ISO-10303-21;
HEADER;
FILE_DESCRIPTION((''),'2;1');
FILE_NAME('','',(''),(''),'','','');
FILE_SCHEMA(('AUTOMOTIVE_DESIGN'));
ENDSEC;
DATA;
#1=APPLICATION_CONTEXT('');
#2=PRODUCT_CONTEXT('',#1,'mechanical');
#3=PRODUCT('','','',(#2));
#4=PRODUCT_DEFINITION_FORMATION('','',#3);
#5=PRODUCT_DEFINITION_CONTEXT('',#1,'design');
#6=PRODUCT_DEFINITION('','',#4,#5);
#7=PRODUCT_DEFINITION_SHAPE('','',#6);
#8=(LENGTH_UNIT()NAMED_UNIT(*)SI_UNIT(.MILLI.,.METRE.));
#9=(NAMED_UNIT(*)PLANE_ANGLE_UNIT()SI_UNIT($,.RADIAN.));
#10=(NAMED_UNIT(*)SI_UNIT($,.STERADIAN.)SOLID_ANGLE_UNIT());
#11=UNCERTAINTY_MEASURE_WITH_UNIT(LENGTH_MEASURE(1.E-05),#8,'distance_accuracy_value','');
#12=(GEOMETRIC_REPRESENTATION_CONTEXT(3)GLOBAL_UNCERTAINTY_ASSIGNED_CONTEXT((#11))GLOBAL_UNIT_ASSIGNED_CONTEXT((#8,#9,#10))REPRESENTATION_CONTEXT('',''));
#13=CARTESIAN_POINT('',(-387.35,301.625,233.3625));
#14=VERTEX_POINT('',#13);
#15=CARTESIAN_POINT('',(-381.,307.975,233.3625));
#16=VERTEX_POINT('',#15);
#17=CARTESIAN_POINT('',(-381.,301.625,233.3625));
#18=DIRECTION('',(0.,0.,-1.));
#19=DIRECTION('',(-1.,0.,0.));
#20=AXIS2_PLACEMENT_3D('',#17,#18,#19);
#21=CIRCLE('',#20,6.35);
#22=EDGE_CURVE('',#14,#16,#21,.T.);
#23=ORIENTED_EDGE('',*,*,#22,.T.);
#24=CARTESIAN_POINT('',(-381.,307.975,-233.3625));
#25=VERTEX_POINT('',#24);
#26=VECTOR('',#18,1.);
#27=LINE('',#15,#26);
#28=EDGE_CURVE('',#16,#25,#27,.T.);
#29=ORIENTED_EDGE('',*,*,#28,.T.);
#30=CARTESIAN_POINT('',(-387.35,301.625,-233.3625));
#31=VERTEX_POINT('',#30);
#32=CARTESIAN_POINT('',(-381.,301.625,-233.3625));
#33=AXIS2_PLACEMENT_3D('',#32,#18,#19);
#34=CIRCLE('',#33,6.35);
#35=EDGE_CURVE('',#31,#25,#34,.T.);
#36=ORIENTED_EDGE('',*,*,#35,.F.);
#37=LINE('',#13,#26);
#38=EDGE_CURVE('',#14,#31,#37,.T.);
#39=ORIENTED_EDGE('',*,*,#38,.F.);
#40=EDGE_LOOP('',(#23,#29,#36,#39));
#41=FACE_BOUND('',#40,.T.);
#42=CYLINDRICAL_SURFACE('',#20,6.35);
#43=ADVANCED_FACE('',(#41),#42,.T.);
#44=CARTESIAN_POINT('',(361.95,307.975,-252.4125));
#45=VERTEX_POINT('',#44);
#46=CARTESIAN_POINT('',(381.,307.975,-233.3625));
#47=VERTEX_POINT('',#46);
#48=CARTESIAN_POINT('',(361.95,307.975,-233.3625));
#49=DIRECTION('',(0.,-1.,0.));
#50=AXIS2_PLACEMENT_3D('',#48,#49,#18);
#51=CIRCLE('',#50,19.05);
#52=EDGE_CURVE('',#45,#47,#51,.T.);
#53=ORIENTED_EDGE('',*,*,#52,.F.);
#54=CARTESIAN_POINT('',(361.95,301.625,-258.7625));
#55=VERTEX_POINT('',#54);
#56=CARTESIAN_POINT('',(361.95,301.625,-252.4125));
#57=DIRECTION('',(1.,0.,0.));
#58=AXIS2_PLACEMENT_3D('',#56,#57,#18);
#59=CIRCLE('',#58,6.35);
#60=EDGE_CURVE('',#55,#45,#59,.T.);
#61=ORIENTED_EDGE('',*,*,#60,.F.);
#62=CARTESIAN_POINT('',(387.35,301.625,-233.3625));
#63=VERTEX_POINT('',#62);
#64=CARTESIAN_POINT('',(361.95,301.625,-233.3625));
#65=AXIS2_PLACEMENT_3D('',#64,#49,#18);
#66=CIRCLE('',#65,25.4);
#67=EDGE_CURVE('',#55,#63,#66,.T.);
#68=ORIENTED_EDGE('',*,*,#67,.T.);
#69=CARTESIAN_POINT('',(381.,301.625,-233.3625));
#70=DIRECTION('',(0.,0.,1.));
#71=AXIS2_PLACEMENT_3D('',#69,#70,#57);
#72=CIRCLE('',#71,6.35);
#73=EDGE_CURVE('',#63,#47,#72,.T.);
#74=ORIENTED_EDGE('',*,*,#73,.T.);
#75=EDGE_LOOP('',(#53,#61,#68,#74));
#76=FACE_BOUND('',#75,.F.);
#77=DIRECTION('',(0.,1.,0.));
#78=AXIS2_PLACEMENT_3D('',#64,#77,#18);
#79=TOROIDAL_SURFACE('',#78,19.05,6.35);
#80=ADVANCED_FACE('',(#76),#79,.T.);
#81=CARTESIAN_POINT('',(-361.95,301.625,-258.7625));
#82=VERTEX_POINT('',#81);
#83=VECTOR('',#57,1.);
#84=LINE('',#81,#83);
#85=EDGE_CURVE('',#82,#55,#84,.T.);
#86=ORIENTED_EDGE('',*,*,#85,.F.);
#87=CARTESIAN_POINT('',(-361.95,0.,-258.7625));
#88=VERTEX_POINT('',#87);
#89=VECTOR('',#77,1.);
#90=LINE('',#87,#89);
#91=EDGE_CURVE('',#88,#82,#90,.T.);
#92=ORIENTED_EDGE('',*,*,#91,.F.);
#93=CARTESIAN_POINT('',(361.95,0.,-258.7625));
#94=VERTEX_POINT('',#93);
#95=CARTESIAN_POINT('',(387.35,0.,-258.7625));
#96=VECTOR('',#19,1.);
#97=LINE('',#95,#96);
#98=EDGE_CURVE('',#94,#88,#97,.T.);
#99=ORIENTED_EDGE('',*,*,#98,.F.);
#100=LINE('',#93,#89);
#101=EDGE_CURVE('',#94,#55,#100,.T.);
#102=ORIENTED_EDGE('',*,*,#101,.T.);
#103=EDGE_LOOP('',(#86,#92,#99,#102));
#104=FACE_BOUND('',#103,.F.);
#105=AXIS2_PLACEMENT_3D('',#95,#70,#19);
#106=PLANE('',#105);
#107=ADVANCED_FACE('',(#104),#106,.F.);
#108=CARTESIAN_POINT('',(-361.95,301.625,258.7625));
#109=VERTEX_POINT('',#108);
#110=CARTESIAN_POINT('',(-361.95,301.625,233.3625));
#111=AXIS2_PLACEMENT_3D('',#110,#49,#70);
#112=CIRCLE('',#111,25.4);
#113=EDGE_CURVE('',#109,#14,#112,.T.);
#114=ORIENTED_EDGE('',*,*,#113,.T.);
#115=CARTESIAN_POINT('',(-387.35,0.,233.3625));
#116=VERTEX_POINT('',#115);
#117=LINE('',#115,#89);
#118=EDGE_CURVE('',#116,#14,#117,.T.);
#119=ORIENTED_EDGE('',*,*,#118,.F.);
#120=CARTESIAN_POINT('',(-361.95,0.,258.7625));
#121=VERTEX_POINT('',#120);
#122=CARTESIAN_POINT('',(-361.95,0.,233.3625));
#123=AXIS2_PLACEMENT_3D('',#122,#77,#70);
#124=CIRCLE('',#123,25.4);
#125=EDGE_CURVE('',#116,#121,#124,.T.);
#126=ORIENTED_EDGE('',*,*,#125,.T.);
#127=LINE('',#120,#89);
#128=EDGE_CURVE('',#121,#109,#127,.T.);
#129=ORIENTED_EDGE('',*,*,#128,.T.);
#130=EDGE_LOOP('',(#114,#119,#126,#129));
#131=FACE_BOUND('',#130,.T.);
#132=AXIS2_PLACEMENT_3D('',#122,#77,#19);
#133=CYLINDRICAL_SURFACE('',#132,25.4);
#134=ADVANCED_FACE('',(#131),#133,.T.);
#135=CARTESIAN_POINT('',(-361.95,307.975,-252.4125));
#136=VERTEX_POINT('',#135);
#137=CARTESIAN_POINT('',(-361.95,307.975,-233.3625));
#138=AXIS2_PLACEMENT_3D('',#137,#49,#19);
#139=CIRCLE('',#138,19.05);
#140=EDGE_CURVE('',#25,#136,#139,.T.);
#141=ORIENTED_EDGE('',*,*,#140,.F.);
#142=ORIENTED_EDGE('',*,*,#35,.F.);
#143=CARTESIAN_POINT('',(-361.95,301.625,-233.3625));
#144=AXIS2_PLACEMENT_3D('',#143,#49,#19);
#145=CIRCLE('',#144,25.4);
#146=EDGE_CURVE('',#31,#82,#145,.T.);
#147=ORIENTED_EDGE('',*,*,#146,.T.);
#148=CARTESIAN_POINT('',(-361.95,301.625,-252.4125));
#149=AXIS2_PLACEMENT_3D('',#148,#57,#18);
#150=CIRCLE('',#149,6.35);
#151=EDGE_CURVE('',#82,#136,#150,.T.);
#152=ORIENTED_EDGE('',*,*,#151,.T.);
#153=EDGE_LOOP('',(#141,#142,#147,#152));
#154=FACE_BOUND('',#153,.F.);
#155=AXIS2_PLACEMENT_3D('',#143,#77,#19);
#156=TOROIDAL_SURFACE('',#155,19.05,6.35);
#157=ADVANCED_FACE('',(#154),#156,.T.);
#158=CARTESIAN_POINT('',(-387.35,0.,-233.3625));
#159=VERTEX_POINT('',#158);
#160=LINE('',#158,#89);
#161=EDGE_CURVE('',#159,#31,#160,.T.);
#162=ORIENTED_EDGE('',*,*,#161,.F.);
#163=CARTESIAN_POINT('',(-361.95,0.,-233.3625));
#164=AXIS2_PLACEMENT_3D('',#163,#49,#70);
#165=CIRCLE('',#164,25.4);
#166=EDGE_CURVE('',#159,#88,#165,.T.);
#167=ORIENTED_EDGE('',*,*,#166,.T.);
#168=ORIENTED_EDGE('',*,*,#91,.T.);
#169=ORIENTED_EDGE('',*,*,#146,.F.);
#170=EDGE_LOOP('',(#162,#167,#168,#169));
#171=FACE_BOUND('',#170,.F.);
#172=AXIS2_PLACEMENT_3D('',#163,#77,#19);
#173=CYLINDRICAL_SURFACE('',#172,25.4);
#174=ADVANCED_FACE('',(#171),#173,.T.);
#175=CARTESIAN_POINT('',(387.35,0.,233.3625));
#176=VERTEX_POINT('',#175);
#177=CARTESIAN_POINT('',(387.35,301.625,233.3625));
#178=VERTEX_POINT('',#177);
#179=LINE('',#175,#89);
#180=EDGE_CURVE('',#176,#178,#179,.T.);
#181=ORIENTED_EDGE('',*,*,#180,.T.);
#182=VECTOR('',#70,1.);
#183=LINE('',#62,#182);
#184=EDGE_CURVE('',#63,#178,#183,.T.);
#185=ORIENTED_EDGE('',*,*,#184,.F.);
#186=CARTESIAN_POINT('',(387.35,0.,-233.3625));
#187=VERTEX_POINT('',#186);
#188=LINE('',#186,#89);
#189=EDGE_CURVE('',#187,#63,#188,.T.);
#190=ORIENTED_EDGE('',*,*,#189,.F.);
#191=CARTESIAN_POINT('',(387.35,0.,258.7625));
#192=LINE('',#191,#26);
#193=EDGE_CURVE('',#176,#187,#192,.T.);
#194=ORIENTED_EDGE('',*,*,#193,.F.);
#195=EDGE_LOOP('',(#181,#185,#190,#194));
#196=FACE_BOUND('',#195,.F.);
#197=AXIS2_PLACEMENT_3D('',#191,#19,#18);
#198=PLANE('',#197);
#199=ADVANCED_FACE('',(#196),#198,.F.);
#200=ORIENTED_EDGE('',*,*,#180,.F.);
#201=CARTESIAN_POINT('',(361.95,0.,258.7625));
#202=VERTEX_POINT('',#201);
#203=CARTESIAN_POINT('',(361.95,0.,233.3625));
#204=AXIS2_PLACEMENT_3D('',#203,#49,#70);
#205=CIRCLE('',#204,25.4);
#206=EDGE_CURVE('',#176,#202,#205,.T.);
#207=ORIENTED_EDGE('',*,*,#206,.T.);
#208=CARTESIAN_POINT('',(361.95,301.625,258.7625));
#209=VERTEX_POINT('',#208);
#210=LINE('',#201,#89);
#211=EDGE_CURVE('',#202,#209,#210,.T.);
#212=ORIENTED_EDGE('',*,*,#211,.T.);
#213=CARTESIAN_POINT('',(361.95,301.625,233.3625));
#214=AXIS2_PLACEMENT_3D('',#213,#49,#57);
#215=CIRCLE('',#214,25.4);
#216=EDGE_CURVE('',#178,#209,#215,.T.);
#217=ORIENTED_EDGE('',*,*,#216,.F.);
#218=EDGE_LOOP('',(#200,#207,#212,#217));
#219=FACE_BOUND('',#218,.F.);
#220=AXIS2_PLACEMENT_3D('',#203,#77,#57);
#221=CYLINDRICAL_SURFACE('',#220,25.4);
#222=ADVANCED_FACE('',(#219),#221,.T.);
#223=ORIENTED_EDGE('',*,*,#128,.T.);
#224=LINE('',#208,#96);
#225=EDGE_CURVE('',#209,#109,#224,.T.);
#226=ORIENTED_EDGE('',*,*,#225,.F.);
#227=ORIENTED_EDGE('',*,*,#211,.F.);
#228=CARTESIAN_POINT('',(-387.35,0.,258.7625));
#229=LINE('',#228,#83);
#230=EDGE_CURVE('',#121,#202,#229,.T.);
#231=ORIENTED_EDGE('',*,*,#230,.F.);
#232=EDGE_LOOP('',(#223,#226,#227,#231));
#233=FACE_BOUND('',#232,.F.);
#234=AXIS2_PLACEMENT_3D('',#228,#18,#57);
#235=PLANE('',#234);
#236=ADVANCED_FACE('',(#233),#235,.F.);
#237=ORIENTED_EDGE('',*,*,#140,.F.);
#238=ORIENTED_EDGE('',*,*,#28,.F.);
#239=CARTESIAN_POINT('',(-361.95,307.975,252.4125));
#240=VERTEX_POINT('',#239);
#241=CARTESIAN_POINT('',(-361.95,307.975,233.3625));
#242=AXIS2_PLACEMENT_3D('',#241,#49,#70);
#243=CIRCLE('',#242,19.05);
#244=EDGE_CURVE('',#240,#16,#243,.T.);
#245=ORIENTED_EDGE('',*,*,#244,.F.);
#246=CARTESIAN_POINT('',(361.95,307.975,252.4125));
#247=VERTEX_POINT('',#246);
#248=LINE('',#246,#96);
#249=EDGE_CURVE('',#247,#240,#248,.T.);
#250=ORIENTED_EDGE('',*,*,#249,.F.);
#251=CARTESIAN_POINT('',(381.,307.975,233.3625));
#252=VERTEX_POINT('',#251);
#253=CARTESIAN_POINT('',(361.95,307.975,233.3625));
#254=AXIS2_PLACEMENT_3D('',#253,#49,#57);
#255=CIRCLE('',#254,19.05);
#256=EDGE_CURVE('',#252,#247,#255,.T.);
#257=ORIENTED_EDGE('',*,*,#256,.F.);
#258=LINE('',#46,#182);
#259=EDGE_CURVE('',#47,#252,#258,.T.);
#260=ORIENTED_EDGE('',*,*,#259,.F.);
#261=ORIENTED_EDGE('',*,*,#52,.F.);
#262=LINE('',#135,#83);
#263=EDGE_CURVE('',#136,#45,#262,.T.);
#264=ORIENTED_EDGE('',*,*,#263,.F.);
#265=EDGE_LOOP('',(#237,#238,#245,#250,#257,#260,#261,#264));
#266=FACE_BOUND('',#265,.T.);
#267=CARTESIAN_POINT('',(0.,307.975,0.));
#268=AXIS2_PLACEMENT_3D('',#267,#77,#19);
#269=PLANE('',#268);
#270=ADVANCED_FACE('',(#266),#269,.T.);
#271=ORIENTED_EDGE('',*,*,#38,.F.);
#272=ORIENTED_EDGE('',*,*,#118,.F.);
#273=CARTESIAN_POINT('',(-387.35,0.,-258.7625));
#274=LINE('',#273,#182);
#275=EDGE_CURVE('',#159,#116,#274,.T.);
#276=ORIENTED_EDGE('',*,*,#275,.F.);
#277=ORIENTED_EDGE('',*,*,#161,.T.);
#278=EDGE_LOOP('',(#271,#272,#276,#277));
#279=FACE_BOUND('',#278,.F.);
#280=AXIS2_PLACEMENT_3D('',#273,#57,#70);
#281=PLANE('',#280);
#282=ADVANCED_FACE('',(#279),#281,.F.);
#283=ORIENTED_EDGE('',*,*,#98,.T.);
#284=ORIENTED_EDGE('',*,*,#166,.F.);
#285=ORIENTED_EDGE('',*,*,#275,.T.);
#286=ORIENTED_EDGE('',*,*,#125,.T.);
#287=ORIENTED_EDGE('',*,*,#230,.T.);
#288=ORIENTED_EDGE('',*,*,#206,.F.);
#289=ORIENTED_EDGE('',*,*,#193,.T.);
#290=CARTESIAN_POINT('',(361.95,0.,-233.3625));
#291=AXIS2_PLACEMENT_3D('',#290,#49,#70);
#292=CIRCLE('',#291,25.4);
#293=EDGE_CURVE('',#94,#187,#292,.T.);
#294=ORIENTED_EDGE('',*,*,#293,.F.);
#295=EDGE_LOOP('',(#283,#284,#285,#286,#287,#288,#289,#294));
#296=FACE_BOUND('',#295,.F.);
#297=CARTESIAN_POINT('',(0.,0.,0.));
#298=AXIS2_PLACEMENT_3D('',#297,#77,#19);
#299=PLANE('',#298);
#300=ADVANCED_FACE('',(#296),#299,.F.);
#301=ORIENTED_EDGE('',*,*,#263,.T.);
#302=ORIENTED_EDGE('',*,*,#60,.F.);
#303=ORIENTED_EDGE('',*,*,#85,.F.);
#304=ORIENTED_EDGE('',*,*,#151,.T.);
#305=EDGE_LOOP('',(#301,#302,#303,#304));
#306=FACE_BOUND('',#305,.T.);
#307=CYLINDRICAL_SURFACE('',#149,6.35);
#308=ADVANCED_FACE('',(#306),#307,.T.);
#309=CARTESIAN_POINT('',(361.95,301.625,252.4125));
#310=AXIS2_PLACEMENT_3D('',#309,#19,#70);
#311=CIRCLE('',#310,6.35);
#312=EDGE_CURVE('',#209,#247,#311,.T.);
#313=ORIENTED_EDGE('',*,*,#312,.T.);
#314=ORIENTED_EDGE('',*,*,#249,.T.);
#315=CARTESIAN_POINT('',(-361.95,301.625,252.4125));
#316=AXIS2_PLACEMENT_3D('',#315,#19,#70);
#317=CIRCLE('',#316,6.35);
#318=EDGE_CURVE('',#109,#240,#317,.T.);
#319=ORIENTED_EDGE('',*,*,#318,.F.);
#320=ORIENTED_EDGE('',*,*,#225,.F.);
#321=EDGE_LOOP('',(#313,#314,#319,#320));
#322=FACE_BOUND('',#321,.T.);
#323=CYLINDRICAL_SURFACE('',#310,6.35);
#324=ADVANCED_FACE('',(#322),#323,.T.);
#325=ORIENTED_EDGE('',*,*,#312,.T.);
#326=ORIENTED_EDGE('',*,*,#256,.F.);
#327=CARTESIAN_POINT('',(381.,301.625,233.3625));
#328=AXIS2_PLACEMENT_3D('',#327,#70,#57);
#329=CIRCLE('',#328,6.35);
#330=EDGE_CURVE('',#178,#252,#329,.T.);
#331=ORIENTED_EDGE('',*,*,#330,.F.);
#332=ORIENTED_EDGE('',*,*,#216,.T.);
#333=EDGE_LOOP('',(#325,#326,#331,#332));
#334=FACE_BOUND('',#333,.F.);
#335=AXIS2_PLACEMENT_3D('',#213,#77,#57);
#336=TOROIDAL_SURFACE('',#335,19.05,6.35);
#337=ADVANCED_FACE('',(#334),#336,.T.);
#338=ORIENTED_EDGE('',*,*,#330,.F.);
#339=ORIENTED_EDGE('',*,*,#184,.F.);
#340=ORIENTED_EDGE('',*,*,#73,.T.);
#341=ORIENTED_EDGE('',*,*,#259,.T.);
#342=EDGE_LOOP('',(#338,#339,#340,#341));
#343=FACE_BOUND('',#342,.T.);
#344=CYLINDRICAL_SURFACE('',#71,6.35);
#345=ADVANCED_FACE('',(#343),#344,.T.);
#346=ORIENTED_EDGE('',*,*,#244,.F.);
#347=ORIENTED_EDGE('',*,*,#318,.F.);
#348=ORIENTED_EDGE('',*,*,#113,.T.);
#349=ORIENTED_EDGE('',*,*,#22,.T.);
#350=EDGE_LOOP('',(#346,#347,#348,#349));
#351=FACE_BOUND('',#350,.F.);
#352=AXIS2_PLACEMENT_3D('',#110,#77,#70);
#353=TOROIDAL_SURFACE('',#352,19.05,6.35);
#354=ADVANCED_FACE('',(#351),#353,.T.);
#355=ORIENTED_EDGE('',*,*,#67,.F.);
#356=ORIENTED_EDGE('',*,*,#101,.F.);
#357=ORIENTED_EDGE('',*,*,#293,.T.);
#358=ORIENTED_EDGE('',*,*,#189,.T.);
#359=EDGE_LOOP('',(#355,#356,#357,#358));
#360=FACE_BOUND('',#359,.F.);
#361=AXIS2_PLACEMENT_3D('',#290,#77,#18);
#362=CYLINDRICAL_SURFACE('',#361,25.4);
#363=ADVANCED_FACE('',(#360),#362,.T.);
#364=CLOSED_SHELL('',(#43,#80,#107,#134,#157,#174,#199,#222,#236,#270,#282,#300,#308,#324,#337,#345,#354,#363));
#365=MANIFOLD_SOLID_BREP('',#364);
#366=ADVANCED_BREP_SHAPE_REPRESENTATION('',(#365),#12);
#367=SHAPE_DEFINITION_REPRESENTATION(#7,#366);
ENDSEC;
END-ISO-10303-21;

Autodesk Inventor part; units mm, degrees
ref_plane "YZ Plane" through (0, 0, 0) normal (1, 0, 0) x (0, 1, 0)
sketch "Sketch1" plane through (0, 0, 0) normal (0, 1, 0) x (-1, 0, 0)
  line L0 (387.35, 258.7625) -> (-387.35, 258.7625)
  line L1 (-387.35, 258.7625) -> (-387.35, -258.7625)
  line L2 (-387.35, -258.7625) -> (387.35, -258.7625)
  line L3 (387.35, -258.7625) -> (387.35, 258.7625)
  line L4 (387.35, 258.7625) -> (-387.35, -258.7625) construction
  line L5 (-387.35, 258.7625) -> (387.35, -258.7625) construction
  point P0 (0, 0)
  dimension "d0" = 774.7
  dimension "d1" = 517.525
extrude "Extrusion1" add sketch "Sketch1" along normal blind 307.975
ref_plane "Work Plane1" through (0, 247.65, 0) normal (0, 1, 0) x (-1, 0, 0)
split_face "Split1"
ref_plane "Work Plane2" through (0, 177.8, 0) normal (0, 1, 0) x (-1, 0, 0)
split_face "Split2"
fillet "Fillet1" radius 25.4 4 edges at (-387.35, 153.9875, 258.7625) (387.35, 153.9875, 258.7625) (387.35, 153.9875, -258.7625) (-387.35, 153.9875, -258.7625)
fillet "Fillet2" radius 6.35 8 edges at (-379.9105, 307.975, -251.323) (-379.9105, 307.975, 251.323) (379.9105, 307.975, -251.323) (379.9105, 307.975, 251.323) (387.35, 307.975, 0) (0, 307.975, -258.7625) (-387.35, 307.975, 0) (0, 307.975, 258.7625)
properties part number "Pelican case" material "ABS Plastic"
